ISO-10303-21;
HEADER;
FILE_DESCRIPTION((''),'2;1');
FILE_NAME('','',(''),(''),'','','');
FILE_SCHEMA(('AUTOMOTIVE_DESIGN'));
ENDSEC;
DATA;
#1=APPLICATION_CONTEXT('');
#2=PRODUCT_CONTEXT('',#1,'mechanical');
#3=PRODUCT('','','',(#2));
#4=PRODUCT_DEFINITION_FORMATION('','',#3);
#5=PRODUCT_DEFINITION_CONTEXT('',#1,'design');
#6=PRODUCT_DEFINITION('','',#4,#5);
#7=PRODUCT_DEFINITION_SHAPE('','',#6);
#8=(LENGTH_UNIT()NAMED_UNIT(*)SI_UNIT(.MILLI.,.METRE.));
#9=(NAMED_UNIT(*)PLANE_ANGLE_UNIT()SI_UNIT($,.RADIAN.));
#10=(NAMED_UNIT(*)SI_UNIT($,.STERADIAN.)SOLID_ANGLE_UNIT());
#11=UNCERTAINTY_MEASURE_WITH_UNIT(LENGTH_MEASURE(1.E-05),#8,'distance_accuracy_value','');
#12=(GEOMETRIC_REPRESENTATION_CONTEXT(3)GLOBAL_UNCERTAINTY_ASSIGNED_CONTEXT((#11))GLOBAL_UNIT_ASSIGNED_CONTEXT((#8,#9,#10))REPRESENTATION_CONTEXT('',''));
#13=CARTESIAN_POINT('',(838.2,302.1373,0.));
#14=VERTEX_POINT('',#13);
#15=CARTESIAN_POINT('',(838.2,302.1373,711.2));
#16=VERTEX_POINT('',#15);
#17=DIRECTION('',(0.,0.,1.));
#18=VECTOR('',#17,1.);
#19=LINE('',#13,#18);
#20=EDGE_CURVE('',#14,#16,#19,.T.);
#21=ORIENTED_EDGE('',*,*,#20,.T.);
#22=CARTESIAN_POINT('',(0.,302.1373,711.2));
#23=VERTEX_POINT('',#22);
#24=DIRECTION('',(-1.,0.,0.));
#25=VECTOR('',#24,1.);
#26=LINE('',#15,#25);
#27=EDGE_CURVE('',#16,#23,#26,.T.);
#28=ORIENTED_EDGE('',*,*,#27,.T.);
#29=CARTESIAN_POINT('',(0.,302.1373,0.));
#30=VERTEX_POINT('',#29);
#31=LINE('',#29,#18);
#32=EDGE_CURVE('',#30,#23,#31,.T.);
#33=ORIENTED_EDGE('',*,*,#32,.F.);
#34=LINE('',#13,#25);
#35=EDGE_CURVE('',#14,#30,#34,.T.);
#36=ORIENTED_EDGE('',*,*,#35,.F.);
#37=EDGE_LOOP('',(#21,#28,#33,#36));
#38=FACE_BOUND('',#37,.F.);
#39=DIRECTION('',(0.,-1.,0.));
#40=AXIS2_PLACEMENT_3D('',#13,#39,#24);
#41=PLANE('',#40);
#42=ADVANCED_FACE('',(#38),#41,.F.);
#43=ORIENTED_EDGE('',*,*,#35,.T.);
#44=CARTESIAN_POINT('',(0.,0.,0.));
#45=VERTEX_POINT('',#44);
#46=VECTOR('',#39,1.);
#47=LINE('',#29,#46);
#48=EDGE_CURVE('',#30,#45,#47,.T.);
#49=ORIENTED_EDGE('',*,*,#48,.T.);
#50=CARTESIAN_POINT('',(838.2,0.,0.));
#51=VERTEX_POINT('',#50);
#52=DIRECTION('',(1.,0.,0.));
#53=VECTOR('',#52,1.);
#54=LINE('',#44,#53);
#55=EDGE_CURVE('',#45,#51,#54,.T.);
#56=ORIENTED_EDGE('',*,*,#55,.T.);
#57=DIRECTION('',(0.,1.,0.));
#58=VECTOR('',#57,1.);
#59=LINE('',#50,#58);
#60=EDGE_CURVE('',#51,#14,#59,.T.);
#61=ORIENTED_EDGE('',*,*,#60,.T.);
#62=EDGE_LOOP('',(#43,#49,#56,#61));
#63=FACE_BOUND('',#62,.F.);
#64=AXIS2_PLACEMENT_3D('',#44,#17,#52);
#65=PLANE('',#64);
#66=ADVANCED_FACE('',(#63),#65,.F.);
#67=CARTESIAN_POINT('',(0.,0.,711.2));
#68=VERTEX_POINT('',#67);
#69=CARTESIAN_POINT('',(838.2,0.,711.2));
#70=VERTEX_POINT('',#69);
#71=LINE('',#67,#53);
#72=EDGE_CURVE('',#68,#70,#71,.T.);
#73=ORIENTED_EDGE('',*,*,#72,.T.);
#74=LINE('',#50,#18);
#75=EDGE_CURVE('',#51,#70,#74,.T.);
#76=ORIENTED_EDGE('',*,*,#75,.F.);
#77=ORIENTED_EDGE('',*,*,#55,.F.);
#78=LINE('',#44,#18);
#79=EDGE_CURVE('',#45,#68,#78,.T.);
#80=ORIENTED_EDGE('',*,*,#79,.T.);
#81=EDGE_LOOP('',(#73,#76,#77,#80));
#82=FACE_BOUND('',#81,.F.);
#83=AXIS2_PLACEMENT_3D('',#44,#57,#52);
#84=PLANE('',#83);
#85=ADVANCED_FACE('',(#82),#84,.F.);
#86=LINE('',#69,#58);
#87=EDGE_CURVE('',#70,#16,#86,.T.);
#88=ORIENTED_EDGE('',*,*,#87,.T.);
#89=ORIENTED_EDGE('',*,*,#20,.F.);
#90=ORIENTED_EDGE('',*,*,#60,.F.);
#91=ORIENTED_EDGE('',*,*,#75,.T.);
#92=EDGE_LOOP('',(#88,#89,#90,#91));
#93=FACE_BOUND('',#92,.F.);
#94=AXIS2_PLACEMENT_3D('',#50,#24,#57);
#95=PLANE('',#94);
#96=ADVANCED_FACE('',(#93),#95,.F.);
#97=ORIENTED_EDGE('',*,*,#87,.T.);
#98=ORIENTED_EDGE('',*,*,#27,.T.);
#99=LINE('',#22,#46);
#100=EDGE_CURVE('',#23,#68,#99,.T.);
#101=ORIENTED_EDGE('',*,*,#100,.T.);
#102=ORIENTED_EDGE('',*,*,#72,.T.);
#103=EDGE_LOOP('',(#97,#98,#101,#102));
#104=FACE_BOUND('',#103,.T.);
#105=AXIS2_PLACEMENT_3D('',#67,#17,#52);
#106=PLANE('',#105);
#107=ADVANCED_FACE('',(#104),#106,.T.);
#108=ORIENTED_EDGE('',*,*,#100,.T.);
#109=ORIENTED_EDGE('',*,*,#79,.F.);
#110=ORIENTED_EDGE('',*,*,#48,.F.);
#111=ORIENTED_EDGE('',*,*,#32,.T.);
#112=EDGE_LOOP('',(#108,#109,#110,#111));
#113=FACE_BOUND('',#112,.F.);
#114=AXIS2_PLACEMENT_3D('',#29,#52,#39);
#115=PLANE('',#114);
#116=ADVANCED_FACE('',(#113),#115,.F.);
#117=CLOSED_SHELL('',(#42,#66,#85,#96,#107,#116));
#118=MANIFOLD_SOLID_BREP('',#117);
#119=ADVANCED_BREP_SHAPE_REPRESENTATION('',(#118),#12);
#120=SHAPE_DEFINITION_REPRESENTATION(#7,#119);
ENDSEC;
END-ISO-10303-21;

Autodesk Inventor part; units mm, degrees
ref_plane "YZ Plane" through (0, 0, 0) normal (1, 0, 0) x (0, 1, 0)
ref_plane "XZ Plane" through (0, 0, 0) normal (0, 1, 0) x (-1, 0, 0)
ref_plane "XY Plane" through (0, 0, 0) normal (0, 0, 1) x (1, 0, 0)
sketch "Sketch1" plane through (0, 0, 0) normal (0, 0, 1) x (1, 0, 0)
  line L0 (0, 0) -> (838.2, 0)
  line L1 (838.2, 0) -> (838.2, 302.1373)
  line L2 (838.2, 302.1373) -> (0, 302.1373)
  line L3 (0, 302.1373) -> (0, 0)
  dimension "d0" = 838.2
extrude "Extrusion1" add sketch "Sketch1" along normal blind 711.2
properties part number "standard bot fit size (33x28)"
